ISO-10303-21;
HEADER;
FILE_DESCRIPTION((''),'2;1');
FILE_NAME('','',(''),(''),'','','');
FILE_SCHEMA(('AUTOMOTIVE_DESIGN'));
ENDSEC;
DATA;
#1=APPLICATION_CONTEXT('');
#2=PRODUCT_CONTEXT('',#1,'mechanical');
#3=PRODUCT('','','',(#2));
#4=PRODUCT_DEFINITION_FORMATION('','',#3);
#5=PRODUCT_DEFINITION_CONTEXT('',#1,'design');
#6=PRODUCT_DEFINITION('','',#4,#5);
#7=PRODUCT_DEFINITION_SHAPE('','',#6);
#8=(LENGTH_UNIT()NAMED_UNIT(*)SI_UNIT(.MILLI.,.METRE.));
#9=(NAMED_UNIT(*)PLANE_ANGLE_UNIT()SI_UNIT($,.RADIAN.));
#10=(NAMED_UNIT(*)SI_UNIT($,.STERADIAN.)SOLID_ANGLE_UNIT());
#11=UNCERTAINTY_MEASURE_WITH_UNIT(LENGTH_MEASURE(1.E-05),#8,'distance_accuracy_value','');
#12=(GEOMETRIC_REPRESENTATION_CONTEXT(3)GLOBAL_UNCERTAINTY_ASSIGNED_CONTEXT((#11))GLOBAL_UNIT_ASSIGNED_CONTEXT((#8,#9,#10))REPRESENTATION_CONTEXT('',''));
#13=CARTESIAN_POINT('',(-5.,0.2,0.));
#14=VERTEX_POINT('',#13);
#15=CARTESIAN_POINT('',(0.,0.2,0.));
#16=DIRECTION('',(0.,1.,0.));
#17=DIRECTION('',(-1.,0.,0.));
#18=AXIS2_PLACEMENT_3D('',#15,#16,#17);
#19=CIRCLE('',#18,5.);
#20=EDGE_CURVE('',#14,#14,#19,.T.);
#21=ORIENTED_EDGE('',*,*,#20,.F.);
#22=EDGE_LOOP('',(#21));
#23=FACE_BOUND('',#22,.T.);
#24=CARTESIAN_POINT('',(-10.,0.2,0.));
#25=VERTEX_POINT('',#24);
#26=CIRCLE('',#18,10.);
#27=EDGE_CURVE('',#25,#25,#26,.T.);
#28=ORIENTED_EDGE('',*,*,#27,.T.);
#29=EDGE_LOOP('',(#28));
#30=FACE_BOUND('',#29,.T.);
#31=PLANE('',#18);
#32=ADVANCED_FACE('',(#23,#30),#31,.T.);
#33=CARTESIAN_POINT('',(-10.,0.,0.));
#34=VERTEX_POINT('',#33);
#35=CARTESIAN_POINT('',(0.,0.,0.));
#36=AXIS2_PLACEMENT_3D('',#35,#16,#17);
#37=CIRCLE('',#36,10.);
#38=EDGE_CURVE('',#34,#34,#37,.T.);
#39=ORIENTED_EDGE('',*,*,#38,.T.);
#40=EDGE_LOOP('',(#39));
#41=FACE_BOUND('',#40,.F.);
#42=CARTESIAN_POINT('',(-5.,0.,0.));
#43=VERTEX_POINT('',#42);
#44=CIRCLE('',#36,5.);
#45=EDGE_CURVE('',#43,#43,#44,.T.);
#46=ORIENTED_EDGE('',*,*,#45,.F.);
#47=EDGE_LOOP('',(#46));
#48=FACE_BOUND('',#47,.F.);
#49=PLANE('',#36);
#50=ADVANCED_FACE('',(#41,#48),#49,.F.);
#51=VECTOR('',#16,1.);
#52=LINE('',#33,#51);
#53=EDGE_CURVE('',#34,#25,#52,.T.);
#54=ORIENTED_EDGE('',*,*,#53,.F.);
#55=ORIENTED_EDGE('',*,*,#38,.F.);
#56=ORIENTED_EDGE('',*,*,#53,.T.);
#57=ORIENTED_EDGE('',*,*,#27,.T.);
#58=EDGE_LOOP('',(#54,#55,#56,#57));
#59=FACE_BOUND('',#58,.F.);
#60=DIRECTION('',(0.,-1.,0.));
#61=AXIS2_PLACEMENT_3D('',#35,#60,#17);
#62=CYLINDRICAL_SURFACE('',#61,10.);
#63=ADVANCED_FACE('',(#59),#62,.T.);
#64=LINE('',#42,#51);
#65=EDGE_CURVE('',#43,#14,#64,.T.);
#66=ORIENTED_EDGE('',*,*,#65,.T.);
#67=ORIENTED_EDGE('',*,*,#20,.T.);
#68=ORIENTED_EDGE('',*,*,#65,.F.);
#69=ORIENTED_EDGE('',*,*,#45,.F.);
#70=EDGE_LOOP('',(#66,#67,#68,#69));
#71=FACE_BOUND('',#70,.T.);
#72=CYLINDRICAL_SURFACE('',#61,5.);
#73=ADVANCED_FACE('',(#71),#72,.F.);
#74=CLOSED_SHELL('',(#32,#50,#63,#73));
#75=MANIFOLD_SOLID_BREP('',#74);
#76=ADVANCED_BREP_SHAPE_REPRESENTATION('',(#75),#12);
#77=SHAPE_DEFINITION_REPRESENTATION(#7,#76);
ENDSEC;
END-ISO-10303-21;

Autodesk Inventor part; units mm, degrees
ref_plane "YZ Plane" through (0, 0, 0) normal (1, 0, 0) x (0, 1, 0)
ref_plane "XZ Plane" through (0, 0, 0) normal (0, 1, 0) x (-1, 0, 0)
ref_plane "XY Plane" through (0, 0, 0) normal (0, 0, 1) x (1, 0, 0)
sketch "스케치1" plane through (0, 0, 0) normal (0, 1, 0) x (-1, 0, 0)
  circle A0 centre (0, 0) radius 5
  circle A1 centre (0, 0) radius 10
  dimension "d0" = 10
  dimension "d1" = 20
extrude "돌출1" add sketch "스케치1" along normal blind 0.2
properties part number "m10 washa_3D 인쇄"
